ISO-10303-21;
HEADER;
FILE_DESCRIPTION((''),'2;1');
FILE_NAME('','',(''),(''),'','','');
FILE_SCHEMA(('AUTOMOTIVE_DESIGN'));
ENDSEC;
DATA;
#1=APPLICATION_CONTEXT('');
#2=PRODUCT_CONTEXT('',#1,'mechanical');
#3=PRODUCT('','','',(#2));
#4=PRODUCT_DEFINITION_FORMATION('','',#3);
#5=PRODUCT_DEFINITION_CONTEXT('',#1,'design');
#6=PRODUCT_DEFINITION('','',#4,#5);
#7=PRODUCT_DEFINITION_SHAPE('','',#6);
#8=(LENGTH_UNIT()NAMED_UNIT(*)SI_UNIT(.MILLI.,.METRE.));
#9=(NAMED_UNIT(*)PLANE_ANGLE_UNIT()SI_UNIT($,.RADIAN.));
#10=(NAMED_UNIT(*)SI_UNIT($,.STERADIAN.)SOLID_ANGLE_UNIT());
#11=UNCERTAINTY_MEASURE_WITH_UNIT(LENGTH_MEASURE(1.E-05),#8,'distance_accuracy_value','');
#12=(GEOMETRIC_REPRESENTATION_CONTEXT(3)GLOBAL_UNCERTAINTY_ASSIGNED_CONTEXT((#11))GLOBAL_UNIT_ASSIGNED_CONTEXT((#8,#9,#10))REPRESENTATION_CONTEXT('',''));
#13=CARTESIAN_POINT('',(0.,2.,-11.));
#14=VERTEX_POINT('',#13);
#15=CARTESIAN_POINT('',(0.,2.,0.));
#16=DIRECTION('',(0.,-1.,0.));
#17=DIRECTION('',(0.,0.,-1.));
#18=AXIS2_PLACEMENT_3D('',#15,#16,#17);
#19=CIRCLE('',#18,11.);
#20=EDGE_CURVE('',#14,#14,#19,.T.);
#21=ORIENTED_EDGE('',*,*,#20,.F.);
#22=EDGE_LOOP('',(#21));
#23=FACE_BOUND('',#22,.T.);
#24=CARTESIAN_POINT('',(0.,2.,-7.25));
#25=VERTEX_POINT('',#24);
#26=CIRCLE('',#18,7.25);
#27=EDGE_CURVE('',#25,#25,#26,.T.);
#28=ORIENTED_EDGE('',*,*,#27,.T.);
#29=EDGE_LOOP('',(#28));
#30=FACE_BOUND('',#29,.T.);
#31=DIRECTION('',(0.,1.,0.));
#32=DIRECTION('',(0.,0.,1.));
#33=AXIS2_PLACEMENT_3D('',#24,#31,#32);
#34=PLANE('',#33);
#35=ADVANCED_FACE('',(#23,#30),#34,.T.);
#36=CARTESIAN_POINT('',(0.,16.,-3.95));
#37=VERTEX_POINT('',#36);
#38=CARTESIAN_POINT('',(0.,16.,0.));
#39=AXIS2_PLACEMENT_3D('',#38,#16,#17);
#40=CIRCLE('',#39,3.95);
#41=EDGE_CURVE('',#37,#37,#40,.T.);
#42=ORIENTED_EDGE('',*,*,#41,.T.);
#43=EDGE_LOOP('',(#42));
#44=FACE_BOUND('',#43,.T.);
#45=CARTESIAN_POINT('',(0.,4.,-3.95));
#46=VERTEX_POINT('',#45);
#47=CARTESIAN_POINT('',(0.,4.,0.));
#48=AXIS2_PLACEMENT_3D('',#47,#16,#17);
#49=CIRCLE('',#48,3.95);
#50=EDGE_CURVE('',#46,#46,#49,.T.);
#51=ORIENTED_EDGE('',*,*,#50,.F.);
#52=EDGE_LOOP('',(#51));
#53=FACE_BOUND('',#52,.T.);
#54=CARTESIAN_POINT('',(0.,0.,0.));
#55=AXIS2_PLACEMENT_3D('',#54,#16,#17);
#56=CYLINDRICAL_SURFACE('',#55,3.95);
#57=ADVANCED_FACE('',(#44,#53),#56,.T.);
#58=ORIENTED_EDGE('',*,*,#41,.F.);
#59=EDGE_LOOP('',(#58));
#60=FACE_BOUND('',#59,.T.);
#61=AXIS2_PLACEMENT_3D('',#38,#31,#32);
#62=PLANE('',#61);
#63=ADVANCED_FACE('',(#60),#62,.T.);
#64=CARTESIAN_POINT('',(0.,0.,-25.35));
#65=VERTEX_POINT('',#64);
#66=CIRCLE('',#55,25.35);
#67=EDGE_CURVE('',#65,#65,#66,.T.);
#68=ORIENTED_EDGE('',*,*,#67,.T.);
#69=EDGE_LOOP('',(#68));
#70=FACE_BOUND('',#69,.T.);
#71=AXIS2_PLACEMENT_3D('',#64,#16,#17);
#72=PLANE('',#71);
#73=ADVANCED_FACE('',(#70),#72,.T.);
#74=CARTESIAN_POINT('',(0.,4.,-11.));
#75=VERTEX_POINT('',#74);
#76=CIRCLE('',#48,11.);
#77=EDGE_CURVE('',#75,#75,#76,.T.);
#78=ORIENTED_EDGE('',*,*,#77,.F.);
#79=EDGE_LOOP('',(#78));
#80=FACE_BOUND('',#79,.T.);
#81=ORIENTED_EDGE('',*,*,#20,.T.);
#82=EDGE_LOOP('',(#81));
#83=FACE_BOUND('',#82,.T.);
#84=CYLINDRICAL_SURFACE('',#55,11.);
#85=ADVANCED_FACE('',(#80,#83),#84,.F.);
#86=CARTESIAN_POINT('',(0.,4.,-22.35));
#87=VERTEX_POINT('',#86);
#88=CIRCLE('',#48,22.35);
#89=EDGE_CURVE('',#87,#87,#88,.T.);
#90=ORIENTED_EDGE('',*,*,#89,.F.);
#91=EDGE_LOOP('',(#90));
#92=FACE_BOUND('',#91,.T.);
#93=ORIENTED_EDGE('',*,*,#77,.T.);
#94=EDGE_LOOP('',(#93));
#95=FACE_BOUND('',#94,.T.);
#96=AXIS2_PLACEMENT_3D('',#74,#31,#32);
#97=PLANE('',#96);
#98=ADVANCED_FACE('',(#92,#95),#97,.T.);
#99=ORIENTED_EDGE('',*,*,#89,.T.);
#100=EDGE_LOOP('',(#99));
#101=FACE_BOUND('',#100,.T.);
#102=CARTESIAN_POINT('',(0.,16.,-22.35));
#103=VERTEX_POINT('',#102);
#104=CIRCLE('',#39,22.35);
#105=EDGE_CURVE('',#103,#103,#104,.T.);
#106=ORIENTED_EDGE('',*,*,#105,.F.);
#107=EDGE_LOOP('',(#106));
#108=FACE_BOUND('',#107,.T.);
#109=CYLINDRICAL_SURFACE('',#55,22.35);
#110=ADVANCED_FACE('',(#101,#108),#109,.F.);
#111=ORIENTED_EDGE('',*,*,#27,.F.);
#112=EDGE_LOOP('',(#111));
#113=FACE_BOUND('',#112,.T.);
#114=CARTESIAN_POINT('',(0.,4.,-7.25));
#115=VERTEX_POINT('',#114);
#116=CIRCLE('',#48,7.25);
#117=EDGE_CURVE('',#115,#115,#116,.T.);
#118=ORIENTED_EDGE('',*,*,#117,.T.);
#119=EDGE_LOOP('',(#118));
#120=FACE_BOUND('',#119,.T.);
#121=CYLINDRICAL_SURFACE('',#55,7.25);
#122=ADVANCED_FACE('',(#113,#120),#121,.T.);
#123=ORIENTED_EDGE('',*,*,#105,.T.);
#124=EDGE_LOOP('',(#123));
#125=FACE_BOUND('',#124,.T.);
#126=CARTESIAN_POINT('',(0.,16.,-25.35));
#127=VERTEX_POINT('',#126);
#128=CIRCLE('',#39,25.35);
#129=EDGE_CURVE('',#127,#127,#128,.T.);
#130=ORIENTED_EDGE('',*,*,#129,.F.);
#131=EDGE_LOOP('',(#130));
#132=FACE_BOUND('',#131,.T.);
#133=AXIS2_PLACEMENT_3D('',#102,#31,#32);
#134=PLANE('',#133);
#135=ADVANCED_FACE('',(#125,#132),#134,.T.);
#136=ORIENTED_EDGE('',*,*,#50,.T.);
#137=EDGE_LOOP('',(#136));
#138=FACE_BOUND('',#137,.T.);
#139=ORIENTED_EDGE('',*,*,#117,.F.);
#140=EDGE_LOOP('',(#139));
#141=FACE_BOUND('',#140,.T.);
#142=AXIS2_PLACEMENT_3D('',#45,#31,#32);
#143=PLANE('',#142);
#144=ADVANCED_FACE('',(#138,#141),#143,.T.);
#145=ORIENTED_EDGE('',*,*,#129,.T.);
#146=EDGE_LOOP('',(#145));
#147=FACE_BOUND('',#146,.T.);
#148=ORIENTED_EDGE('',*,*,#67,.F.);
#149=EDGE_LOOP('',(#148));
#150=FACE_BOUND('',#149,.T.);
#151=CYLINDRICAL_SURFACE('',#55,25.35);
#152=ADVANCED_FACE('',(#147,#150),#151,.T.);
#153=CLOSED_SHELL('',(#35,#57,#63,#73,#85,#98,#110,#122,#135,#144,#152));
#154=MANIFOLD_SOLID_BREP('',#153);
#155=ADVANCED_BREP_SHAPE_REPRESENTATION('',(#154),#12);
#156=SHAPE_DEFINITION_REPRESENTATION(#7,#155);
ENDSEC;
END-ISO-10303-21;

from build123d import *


with BuildPart() as part:
    # Sketch1 → Revolve1 (revolve)
    with BuildSketch(Plane(origin=(0, 0, 0), x_dir=(0, 0, -1), z_dir=(1, 0, 0))):
        Polygon((0, 0), (0, 16), (3.95, 16), (3.95, 4), (7.25, 4), (7.25, 2), (11, 2), (11, 4), (22.35, 4), (22.35, 16), (25.35, 16), (25.35, 0), align=None)
    revolve(axis=Axis((0, 0, 0), (0, 1, 0)))


solid = part.part
